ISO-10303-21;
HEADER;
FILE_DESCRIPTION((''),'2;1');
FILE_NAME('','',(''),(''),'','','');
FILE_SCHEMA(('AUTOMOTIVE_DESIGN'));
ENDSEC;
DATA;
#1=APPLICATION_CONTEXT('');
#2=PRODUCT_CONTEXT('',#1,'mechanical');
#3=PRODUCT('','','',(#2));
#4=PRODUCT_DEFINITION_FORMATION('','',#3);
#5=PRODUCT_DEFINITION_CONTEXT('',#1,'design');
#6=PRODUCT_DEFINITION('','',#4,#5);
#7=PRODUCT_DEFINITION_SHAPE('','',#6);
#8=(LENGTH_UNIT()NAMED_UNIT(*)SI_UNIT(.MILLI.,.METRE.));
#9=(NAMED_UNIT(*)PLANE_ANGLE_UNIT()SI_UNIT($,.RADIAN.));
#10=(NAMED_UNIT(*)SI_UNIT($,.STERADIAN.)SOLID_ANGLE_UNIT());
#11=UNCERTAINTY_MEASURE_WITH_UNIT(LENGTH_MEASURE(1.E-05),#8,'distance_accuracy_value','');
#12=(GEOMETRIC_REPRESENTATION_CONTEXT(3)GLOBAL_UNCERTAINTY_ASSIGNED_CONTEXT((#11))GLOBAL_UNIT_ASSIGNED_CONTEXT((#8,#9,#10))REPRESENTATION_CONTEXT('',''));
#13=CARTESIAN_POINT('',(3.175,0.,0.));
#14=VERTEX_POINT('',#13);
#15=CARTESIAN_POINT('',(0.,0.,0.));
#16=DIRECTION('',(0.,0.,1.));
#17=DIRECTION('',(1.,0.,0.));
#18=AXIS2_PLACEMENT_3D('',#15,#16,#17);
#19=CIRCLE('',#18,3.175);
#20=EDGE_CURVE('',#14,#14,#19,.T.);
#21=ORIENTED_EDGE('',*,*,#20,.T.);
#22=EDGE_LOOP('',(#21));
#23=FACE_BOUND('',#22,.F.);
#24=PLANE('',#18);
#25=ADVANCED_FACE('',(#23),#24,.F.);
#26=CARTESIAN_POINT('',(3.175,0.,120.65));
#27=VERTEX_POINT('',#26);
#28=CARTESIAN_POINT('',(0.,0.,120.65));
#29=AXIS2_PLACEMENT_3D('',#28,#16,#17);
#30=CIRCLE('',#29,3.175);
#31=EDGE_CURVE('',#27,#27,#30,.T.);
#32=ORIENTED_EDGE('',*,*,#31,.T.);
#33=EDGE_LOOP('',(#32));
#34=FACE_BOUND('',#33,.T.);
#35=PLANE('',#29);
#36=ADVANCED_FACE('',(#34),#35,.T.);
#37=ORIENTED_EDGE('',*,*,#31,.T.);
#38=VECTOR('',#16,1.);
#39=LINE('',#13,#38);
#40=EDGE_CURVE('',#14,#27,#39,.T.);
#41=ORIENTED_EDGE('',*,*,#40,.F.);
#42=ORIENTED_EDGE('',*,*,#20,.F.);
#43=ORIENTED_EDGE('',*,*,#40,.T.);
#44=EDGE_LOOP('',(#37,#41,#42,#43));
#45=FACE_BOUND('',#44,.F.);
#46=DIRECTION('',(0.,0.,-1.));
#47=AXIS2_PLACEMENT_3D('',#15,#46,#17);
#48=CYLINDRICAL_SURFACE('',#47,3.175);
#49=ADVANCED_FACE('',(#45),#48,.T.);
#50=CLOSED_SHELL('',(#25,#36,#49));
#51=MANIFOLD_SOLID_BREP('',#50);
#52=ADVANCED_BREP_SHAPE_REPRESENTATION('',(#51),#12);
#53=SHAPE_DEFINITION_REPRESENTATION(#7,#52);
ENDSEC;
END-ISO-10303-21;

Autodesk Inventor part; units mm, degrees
ref_plane "YZ Plane" through (0, 0, 0) normal (1, 0, 0) x (0, 1, 0)
ref_plane "XZ Plane" through (0, 0, 0) normal (0, 1, 0) x (-1, 0, 0)
ref_plane "XY Plane" through (0, 0, 0) normal (0, 0, 1) x (1, 0, 0)
sketch "Sketch1" plane through (0, 0, 0) normal (0, 0, 1) x (1, 0, 0)
  circle A0 centre (0, 0) radius 3.175
  dimension "d0" = 6.35
extrude "Extrusion1" add sketch "Sketch1" along normal blind 120.65
properties part number "acrylic rod"
